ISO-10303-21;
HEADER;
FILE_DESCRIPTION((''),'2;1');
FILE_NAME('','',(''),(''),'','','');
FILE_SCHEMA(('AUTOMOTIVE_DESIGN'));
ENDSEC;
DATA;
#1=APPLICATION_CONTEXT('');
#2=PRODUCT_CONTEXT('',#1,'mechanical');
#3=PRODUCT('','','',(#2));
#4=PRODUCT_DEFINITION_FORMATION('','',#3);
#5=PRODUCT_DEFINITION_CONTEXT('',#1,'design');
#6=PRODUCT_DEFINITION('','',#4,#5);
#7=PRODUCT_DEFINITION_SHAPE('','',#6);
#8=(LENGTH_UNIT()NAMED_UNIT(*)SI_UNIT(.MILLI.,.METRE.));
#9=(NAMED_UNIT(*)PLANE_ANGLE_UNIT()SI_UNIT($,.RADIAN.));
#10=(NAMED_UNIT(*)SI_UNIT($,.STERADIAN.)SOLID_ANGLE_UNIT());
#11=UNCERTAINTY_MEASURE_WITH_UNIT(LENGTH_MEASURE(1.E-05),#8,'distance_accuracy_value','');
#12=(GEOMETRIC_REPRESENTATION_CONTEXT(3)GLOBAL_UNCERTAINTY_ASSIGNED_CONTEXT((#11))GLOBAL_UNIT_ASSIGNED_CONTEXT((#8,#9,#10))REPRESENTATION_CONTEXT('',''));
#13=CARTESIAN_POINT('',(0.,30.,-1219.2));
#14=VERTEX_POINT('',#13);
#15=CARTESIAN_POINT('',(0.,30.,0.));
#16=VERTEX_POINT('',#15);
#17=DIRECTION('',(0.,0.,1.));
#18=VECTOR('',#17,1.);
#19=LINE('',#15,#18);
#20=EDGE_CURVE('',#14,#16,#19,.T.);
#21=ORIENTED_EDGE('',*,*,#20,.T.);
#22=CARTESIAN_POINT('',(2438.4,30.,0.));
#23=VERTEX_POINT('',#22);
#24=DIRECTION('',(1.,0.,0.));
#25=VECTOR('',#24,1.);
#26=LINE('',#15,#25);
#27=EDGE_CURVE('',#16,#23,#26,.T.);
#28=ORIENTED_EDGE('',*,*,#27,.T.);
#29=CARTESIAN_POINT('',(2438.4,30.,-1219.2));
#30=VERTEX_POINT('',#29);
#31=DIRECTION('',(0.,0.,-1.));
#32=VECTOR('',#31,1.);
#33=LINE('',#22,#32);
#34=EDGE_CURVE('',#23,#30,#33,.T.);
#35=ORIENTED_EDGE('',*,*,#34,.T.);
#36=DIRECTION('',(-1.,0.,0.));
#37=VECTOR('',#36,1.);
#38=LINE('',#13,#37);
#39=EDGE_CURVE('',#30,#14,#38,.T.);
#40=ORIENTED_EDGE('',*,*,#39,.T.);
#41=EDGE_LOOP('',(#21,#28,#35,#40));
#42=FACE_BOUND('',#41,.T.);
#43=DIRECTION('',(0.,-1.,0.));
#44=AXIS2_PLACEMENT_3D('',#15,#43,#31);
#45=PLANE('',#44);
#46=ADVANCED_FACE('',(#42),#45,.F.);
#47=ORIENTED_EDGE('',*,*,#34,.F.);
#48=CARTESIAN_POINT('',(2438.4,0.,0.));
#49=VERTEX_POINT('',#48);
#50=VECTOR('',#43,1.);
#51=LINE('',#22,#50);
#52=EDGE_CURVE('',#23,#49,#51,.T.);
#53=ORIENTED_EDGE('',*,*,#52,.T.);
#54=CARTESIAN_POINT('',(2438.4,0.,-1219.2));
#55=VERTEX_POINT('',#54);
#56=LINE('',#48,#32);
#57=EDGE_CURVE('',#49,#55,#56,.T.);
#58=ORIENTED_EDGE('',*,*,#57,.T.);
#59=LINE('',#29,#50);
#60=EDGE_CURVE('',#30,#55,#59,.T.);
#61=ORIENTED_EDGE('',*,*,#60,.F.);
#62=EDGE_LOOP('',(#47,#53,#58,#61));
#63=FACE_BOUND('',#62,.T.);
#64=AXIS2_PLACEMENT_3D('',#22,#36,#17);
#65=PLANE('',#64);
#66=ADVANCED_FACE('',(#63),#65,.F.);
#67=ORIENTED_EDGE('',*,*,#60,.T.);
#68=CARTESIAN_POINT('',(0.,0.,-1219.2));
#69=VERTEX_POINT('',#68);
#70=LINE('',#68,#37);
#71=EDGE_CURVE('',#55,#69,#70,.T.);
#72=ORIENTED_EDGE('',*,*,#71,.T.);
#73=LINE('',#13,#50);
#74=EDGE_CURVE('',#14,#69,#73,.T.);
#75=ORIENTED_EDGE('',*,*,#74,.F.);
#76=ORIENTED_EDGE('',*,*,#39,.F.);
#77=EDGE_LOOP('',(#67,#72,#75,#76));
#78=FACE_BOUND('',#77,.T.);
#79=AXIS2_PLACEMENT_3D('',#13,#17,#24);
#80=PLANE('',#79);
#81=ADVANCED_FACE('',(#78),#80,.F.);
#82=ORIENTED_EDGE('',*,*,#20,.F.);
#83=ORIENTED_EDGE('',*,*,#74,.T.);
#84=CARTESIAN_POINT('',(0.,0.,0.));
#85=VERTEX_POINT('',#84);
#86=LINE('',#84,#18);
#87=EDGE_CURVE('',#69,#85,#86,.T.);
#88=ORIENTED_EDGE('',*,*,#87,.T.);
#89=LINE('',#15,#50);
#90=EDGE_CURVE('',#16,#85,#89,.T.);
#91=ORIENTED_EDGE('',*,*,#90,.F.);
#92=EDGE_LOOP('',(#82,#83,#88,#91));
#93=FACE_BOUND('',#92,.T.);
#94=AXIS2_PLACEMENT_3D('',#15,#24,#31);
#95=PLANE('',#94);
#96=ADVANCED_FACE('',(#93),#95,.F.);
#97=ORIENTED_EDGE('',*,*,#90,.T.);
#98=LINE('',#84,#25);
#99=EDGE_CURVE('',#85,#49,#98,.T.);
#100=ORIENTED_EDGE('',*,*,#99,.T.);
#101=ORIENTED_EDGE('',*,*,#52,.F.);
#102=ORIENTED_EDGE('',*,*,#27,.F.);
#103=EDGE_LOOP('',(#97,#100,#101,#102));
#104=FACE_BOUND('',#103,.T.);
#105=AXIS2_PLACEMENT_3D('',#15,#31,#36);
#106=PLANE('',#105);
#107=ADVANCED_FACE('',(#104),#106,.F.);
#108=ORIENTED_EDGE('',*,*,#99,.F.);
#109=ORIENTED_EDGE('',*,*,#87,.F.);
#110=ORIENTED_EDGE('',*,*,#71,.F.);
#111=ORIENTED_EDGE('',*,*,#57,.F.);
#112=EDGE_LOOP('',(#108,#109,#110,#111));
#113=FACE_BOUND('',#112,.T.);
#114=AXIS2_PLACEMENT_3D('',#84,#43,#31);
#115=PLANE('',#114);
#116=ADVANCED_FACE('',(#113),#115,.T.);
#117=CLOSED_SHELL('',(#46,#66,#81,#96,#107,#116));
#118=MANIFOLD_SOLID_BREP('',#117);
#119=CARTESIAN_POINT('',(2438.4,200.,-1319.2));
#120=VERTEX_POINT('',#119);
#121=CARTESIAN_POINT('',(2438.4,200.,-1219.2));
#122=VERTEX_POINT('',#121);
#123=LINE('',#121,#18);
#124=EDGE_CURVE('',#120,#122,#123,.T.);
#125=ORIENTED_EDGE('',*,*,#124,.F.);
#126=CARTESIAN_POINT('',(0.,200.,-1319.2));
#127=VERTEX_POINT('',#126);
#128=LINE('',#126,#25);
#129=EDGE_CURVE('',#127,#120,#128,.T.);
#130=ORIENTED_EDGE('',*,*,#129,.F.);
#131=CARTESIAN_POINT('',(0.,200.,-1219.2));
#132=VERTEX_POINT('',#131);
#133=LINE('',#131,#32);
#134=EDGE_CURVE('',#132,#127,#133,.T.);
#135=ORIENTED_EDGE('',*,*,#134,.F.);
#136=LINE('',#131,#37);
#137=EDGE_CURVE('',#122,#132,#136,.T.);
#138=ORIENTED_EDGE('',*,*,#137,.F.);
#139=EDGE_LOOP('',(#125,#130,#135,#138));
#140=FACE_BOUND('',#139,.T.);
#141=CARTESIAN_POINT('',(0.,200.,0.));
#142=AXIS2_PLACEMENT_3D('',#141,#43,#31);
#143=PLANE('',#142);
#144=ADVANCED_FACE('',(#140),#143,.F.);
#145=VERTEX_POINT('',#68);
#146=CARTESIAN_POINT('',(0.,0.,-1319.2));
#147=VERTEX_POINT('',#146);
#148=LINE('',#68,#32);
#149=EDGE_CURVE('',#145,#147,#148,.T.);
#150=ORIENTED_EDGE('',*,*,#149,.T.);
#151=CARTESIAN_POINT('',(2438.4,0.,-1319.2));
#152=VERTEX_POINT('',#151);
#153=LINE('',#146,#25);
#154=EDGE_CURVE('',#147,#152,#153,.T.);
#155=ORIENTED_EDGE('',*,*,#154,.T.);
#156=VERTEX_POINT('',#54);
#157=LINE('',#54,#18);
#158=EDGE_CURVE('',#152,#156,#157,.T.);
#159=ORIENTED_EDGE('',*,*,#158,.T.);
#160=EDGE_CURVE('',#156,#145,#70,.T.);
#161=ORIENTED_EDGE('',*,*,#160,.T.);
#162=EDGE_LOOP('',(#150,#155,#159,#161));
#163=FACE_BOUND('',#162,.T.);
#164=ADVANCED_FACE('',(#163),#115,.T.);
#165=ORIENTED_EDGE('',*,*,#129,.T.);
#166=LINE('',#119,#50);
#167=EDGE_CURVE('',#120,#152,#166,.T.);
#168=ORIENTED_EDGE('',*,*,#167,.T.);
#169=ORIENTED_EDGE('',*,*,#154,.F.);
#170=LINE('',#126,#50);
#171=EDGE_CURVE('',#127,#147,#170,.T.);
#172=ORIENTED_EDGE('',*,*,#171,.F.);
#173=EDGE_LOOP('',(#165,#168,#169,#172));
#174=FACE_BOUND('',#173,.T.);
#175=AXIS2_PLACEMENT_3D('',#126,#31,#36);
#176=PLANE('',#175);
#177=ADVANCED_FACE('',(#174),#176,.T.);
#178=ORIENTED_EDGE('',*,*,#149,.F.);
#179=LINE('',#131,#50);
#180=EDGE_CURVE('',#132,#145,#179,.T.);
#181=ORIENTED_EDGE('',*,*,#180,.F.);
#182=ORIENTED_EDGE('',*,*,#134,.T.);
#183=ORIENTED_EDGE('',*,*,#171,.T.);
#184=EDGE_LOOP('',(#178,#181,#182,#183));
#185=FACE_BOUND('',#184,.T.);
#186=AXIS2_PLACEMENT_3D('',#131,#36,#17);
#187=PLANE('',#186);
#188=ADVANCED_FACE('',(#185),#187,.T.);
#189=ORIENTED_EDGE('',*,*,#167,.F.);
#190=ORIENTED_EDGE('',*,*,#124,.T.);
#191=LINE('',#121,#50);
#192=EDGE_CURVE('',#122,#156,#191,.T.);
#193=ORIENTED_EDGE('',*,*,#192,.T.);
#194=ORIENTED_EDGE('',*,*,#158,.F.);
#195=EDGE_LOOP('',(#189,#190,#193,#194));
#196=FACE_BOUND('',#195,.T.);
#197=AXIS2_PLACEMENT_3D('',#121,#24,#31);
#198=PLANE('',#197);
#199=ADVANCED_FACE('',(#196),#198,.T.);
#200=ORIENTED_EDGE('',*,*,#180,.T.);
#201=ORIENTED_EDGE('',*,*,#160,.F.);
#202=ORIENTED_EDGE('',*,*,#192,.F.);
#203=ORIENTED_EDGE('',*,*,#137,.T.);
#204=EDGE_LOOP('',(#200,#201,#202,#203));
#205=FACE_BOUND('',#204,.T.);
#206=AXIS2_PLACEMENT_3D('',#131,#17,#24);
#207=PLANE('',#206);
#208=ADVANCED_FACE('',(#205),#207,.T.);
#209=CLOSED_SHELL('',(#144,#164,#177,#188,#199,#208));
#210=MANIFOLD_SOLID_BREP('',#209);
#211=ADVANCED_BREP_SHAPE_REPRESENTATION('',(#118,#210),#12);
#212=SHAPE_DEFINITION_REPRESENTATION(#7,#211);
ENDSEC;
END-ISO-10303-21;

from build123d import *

# Parameters (mm, degrees)
SKETCH1_W           = 2438.4
SKETCH1_H           = 1219.2
BOSS_EXTRUDE1_DEPTH = 30
SKETCH2_W           = 2438.4
SKETCH2_H           = 100
BOSS_EXTRUDE2_DEPTH = 200


with BuildPart() as part:
    # Sketch1 → Boss-Extrude1 (new body)
    with BuildSketch(Plane(origin=(0, 0, 0), x_dir=(1, 0, 0), z_dir=(0, 1, 0))):
        with Locations((1219.2, 609.6)):
            Rectangle(SKETCH1_W, SKETCH1_H)
    extrude(amount=BOSS_EXTRUDE1_DEPTH)


with BuildPart() as body_2:
    # Sketch2 → Boss-Extrude2 (new body)
    with BuildSketch(Plane.XZ):
        with Locations((1219.2, -1269.2)):
            Rectangle(SKETCH2_W, SKETCH2_H)
    extrude(amount=-BOSS_EXTRUDE2_DEPTH)


solid = Compound([part.part, body_2.part])
